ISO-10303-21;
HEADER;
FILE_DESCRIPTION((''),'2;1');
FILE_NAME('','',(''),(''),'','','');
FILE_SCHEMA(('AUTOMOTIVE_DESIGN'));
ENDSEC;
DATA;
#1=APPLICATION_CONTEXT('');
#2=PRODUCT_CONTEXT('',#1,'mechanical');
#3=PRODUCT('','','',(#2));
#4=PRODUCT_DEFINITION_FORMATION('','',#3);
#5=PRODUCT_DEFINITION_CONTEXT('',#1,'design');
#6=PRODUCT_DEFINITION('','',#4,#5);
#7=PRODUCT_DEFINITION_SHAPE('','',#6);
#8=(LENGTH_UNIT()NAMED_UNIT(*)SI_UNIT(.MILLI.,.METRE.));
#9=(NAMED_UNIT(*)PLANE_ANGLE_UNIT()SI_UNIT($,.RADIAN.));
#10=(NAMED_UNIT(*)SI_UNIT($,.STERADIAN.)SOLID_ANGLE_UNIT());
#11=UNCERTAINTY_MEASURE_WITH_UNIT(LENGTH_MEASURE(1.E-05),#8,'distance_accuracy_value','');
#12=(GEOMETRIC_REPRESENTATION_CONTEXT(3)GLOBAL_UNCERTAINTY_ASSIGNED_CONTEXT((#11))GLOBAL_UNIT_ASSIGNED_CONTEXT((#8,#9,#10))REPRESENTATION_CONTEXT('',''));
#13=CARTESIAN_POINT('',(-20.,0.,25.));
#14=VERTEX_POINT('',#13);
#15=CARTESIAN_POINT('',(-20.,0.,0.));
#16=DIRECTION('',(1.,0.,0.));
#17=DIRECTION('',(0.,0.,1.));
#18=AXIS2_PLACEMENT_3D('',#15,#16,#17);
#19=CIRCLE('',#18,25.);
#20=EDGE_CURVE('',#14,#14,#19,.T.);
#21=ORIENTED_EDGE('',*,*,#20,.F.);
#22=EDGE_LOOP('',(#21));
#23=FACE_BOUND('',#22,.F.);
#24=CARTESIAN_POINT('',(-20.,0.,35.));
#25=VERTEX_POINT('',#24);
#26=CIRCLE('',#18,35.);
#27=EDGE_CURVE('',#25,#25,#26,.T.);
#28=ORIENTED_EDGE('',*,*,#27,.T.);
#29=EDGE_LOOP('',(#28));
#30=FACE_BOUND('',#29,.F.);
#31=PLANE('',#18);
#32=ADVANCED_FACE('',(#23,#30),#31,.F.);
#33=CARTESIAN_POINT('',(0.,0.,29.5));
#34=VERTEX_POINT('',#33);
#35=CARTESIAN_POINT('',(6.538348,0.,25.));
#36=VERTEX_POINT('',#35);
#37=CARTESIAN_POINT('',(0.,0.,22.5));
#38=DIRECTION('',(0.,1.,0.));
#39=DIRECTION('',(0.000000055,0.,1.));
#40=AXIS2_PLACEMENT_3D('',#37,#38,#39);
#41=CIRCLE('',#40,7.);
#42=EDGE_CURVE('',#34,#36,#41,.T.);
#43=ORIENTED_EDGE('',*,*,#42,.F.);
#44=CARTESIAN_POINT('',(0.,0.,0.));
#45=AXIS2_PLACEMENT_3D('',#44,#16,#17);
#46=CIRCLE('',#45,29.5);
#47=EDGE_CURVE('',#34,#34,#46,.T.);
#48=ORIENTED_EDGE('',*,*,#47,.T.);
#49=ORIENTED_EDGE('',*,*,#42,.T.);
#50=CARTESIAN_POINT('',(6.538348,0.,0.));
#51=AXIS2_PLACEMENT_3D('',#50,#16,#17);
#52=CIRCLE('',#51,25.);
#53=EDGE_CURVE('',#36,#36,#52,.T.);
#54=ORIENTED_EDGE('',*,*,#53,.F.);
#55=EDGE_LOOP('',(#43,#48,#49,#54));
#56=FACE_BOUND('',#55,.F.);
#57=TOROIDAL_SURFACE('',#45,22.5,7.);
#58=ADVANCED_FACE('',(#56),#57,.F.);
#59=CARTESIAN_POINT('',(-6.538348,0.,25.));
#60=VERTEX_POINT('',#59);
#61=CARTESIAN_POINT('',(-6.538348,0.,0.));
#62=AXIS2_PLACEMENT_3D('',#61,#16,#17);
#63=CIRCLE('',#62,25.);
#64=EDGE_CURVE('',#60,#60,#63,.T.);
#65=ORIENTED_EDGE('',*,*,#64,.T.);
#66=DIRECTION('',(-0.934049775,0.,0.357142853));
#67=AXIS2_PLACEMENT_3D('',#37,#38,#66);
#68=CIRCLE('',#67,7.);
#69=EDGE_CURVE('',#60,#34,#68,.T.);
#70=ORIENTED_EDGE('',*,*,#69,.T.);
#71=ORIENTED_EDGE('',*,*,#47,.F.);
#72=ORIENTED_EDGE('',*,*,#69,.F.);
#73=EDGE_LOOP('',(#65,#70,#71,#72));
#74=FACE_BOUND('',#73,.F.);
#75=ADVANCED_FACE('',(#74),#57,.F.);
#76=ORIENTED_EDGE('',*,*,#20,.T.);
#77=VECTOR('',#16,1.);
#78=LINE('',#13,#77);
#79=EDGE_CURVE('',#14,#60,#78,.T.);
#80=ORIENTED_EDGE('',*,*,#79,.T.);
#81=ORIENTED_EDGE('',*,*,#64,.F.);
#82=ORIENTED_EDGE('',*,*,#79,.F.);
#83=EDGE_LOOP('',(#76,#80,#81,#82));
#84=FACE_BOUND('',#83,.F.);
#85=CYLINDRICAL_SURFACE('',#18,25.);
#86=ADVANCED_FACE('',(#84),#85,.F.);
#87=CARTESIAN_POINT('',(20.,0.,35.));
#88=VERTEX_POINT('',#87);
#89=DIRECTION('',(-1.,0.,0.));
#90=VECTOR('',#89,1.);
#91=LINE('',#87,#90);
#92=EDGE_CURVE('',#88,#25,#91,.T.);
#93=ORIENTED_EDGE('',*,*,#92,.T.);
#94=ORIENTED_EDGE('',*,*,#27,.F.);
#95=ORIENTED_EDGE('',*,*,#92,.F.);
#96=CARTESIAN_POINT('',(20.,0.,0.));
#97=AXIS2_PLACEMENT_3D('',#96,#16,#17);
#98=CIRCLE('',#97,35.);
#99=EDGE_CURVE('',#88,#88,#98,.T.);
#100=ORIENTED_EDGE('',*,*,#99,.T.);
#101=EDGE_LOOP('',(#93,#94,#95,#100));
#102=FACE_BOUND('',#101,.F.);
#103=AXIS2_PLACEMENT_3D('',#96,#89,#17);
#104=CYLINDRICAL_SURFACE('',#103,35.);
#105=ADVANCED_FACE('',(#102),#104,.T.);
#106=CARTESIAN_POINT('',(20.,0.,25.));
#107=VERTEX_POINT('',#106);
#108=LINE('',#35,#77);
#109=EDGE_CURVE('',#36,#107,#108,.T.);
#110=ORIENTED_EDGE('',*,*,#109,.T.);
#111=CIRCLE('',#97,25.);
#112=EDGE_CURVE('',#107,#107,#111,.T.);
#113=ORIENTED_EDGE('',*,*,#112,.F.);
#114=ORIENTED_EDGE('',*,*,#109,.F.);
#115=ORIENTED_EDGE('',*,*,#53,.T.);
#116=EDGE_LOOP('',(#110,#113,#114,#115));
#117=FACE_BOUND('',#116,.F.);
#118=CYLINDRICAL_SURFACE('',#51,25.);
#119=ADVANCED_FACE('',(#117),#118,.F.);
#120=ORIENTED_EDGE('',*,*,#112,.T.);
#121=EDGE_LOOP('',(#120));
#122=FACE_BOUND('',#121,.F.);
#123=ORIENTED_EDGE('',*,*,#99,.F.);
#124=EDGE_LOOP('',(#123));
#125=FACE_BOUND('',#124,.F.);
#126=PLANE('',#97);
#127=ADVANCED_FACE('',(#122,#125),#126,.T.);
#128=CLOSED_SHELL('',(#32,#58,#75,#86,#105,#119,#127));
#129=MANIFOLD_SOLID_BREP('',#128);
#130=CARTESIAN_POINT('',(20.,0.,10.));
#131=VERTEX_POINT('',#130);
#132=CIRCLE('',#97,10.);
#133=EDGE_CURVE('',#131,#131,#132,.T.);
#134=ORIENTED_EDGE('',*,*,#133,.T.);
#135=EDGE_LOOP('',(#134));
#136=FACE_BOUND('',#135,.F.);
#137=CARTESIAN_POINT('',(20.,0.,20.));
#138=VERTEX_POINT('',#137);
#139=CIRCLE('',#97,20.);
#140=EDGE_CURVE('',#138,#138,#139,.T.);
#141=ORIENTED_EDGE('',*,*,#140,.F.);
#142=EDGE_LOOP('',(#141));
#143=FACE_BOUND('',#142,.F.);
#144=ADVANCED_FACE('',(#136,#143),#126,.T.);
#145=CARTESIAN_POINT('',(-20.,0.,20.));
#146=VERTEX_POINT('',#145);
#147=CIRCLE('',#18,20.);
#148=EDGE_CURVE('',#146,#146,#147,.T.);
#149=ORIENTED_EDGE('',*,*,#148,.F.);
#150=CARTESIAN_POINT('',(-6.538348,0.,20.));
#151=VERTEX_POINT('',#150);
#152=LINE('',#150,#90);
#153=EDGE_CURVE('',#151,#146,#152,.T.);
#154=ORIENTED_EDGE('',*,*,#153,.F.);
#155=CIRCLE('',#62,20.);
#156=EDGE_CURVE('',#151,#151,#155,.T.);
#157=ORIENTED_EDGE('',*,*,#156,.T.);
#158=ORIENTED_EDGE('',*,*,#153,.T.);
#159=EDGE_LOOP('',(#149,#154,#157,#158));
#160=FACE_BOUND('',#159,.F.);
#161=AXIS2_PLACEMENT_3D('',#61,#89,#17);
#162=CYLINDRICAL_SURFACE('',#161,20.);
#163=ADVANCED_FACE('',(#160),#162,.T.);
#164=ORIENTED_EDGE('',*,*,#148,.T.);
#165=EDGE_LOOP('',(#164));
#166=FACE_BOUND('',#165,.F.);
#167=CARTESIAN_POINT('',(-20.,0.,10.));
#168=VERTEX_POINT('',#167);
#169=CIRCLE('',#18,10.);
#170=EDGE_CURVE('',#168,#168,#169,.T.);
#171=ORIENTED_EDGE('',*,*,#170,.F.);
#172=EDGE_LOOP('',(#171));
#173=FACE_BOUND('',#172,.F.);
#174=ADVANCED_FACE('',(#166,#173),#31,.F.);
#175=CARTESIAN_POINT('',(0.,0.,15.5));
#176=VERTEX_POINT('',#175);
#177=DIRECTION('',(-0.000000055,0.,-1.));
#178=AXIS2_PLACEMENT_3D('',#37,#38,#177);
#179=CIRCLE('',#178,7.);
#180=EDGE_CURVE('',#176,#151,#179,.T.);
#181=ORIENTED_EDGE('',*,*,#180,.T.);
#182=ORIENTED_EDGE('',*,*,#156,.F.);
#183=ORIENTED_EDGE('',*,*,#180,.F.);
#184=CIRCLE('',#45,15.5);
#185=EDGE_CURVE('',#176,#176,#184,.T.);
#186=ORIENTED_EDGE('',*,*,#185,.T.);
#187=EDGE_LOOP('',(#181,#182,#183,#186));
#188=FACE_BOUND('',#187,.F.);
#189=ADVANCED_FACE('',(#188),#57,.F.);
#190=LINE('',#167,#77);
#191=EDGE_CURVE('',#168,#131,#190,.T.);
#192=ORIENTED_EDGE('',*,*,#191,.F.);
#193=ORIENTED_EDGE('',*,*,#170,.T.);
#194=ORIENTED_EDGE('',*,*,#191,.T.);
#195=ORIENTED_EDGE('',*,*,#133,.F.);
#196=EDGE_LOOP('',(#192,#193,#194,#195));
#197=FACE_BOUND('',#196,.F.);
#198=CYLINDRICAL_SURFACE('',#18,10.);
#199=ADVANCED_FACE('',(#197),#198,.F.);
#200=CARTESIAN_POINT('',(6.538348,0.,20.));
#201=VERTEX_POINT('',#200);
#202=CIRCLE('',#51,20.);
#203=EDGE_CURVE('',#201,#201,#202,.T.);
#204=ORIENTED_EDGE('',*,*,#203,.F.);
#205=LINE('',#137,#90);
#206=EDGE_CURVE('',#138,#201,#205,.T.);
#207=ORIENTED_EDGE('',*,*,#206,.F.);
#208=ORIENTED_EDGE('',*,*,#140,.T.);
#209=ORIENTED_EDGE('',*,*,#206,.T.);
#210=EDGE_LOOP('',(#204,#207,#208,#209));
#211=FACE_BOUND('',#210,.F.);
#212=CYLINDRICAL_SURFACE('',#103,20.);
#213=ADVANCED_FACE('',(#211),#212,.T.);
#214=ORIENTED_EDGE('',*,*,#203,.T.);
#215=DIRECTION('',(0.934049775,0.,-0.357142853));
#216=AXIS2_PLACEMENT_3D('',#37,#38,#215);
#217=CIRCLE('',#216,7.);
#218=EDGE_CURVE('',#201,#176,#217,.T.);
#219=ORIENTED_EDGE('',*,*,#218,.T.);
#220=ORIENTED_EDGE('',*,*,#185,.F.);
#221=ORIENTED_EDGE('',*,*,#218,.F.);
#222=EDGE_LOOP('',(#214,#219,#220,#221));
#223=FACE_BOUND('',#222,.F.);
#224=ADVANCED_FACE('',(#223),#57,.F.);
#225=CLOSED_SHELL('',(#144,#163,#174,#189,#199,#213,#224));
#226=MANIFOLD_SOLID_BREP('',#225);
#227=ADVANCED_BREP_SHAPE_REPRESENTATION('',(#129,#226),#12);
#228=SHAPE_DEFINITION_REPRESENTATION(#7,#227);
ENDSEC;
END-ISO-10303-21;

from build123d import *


with BuildPart() as f1:
    # F0 (on Front) → F1 (revolve)
    with BuildSketch(Plane.XZ):
        with BuildLine():
            Line((20, 35), (0, 35))
            Line((0, 35), (0, 29.5))
            ThreePointArc((0, 29.5), (3.968627, 28.266281), (6.538348, 25))
            Line((6.538348, 25), (20, 25))
            Line((20, 25), (20, 35))
        make_face()
        with BuildLine():
            Line((0, 29.5), (0, 35))
            Line((0, 35), (-20, 35))
            Line((-20, 35), (-20, 25))
            Line((-20, 25), (-6.538348, 25))
            ThreePointArc((-6.538348, 25), (-3.968627, 28.266281), (0, 29.5))
        make_face()
        with BuildLine():
            Line((20, 20), (6.538348, 20))
            ThreePointArc((6.538348, 20), (3.968627, 16.733719), (0, 15.5))
            Line((0, 15.5), (0, 10))
            Line((0, 10), (20, 10))
            Line((20, 10), (20, 20))
        make_face()
        with BuildLine():
            Line((0, 10), (0, 15.5))
            ThreePointArc((0, 15.5), (-3.968627, 16.733719), (-6.538348, 20))
            Line((-6.538348, 20), (-20, 20))
            Line((-20, 20), (-20, 10))
            Line((-20, 10), (0, 10))
        make_face()
    revolve(axis=Axis((22.886599, 0, 0), (1, 0, 0)))


solid = f1.part
